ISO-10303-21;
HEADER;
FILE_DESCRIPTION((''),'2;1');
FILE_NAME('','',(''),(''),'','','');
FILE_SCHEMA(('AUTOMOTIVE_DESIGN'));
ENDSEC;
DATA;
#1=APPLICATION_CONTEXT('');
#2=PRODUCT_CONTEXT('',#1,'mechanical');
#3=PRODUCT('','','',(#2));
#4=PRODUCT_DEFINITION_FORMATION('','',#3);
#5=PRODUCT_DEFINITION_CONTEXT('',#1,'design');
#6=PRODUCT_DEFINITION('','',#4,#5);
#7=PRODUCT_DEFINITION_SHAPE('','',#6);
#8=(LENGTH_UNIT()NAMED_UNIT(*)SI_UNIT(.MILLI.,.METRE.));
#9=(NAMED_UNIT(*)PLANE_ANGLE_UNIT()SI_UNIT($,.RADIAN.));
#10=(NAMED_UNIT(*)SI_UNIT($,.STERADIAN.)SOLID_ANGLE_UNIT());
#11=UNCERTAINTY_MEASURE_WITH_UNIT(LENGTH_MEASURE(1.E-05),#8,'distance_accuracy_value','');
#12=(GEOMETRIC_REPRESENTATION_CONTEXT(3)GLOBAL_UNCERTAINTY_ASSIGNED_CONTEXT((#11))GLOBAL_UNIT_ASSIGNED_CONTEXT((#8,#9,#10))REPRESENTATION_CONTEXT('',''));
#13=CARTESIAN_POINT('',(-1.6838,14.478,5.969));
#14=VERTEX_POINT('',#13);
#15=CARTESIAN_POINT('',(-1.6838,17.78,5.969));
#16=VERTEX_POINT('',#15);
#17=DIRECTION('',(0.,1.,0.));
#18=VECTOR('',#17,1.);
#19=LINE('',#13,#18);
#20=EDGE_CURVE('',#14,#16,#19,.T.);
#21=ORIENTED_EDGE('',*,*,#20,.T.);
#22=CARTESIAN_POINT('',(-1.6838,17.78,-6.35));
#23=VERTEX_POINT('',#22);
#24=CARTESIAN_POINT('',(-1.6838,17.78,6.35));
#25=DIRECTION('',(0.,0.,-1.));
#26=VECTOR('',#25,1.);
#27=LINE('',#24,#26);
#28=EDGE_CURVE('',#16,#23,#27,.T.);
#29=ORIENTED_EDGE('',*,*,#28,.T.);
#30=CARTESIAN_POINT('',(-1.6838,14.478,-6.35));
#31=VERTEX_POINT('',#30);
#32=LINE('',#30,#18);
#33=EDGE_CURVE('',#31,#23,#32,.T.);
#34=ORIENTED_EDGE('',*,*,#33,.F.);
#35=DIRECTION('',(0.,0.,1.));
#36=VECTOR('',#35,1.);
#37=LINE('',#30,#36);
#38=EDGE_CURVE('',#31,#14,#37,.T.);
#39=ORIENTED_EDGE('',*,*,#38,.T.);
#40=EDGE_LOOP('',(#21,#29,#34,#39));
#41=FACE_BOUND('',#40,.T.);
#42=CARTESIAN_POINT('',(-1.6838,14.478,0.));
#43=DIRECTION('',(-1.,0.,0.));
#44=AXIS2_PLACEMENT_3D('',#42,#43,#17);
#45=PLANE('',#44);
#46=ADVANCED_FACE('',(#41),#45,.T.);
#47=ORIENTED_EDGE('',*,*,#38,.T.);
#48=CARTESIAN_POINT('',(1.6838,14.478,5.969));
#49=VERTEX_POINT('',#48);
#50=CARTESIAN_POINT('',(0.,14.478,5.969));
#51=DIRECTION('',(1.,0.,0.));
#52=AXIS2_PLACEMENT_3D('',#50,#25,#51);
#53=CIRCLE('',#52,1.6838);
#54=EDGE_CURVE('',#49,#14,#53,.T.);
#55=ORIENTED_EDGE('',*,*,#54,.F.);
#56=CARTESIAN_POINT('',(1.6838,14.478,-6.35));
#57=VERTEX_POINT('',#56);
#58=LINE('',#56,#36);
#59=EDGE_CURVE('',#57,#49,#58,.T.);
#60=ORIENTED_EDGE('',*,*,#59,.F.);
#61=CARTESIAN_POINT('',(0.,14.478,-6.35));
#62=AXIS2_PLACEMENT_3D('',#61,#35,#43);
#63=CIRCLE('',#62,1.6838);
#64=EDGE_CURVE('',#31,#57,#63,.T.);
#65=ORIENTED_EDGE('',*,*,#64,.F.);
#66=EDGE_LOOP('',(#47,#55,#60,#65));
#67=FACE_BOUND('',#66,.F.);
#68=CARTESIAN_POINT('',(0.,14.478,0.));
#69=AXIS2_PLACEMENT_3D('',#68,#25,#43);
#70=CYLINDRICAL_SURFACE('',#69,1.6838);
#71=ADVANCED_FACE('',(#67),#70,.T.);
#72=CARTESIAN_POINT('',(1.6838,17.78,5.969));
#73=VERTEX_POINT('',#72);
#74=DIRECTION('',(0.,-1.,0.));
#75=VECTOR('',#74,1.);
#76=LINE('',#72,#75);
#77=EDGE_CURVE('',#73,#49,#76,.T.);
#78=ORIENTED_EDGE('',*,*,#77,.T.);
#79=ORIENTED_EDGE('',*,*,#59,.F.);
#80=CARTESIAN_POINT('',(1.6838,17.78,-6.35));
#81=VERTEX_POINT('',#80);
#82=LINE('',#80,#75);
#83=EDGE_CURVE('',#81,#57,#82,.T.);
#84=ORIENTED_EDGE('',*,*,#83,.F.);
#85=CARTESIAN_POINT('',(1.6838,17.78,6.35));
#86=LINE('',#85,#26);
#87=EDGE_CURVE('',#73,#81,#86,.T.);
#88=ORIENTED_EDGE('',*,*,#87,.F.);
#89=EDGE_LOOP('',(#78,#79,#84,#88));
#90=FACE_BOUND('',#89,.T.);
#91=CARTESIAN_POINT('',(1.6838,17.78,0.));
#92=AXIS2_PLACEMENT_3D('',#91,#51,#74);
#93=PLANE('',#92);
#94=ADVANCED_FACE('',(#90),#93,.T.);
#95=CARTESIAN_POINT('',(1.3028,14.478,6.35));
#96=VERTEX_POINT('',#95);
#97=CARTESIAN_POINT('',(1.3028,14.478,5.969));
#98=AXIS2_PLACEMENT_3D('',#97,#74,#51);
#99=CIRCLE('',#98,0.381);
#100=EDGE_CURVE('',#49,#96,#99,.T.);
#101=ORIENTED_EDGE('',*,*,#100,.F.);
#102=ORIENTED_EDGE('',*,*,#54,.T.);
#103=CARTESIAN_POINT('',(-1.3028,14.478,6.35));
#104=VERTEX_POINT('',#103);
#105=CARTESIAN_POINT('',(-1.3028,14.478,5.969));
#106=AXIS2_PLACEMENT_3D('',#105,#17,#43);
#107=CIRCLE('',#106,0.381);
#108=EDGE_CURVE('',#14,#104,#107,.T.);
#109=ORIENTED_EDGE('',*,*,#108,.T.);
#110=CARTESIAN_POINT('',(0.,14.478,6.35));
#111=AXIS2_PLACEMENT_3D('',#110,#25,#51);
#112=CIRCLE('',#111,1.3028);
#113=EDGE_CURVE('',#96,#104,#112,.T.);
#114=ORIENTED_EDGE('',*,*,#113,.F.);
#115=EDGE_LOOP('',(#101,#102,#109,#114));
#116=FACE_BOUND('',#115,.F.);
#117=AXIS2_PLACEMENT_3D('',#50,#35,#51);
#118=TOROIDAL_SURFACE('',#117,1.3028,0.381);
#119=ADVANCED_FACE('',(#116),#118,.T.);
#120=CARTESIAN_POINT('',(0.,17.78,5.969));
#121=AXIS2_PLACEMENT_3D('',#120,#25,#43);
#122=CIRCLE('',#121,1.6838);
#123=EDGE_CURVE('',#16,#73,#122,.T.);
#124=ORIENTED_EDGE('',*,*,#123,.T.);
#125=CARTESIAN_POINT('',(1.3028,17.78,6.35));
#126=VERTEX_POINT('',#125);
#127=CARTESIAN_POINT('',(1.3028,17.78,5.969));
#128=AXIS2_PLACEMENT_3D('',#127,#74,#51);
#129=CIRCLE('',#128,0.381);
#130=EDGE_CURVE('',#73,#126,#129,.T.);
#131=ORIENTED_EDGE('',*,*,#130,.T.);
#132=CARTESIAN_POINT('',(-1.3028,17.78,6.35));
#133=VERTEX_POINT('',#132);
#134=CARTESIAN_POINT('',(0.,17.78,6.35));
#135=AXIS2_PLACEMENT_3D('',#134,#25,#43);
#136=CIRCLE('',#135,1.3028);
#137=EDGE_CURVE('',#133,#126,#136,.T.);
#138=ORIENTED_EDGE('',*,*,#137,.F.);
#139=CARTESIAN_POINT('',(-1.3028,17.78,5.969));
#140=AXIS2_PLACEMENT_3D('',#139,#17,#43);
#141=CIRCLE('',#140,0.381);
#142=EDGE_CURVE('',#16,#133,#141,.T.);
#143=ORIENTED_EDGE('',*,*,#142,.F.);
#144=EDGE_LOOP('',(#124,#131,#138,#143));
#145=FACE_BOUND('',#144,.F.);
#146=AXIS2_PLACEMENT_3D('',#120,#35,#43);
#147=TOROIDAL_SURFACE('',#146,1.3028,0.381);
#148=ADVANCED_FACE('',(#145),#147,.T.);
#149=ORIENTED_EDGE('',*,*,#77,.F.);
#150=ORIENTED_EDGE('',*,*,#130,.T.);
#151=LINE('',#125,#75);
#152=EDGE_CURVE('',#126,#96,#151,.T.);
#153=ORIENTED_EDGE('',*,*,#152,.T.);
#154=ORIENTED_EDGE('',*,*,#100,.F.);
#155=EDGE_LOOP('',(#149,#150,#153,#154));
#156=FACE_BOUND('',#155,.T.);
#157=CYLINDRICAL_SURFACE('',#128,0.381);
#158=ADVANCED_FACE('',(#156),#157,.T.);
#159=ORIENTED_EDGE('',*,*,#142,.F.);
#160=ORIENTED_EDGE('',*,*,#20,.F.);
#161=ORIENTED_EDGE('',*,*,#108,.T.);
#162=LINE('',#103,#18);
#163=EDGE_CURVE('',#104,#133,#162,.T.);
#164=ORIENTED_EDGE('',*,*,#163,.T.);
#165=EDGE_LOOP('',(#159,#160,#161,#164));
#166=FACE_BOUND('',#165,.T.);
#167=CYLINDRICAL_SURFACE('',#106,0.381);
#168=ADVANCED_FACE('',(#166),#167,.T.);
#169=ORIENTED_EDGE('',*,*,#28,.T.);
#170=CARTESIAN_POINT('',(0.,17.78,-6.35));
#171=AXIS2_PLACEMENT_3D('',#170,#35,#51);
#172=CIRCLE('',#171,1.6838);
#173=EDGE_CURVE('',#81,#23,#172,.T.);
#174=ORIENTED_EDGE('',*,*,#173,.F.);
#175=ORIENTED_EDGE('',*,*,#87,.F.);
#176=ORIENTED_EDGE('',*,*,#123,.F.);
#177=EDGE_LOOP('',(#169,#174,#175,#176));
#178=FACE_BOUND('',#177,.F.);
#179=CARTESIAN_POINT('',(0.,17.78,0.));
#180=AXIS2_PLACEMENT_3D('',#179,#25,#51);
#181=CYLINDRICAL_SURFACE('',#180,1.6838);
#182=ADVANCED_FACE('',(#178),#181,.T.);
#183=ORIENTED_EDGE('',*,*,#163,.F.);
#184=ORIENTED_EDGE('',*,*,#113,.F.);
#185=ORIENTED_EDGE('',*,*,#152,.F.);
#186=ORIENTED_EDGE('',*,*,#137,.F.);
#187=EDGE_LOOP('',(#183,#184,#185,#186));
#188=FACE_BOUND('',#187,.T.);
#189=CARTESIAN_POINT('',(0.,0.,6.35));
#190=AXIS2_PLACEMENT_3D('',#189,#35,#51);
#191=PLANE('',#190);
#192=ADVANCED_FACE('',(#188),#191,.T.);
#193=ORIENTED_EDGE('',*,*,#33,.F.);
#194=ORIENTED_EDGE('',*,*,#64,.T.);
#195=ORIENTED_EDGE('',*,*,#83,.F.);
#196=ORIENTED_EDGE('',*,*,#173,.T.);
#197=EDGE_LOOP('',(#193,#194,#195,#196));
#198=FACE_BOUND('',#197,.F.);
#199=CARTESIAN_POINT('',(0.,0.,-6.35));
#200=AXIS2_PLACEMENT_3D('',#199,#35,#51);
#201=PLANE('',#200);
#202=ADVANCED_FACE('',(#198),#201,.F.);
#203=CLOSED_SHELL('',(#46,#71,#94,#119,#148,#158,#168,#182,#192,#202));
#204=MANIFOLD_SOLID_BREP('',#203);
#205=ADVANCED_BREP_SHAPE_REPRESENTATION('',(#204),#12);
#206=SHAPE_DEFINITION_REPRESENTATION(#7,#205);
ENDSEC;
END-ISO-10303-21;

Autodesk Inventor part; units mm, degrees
ref_plane "YZ Plane" through (0, 0, 0) normal (1, 0, 0) x (0, 1, 0)
ref_plane "XZ Plane" through (0, 0, 0) normal (0, 1, 0) x (-1, 0, 0)
ref_plane "XY Plane" through (0, 0, 0) normal (0, 0, 1) x (1, 0, 0)
sketch "Sketch1" plane through (0, 0, 0) normal (0, 0, 1) x (1, 0, 0)
  arc A0 (-2.159, 14.478) -> (2.159, 14.478) centre (0, 14.478) ccw projected
  line L0 (-2.159, 14.478) -> (-2.159, 17.78) projected
  arc A1 (2.159, 17.78) -> (-2.159, 17.78) centre (0, 17.78) ccw projected
  line L1 (2.159, 17.78) -> (2.159, 14.478) projected
  line L2 (-3.81, -17.78) -> (-3.81, 17.78) projected
  arc A2 (-3.81, -17.78) -> (3.81, -17.78) centre (0, -17.78) ccw projected
  line L3 (3.81, 17.78) -> (3.81, -17.78) projected
  arc A3 (3.81, 17.78) -> (-3.81, 17.78) centre (0, 17.78) ccw projected
  arc A4 (-1.6838, 14.478) -> (1.6838, 14.478) centre (0, 14.478) ccw
  line L4 (-1.6838, 14.478) -> (-1.6838, 17.78)
  arc A5 (1.6838, 17.78) -> (-1.6838, 17.78) centre (0, 17.78) ccw
  line L5 (1.6838, 17.78) -> (1.6838, 14.478)
extrude "Extrusion1" add sketch "Sketch1" along normal mid plane 12.7 contours L4 A5 L5 A4
fillet "Fillet1" radius 0.381 4 edges at (-1.6838, 16.129, 6.35) (0, 19.4638, 6.35) (1.6838, 16.129, 6.35) (0, 12.7942, 6.35)
ref_plane "Work Plane1" through (0, 14.478, -6.35) normal (1, 0, 0) x (0, 0, -1)
ref_plane "Work Plane2" through (1.3028, 16.129, 6.35) normal (0, 1, 0) x (-1, 0, 0)
properties part number "BUSS-SAFTY-TRIP"
